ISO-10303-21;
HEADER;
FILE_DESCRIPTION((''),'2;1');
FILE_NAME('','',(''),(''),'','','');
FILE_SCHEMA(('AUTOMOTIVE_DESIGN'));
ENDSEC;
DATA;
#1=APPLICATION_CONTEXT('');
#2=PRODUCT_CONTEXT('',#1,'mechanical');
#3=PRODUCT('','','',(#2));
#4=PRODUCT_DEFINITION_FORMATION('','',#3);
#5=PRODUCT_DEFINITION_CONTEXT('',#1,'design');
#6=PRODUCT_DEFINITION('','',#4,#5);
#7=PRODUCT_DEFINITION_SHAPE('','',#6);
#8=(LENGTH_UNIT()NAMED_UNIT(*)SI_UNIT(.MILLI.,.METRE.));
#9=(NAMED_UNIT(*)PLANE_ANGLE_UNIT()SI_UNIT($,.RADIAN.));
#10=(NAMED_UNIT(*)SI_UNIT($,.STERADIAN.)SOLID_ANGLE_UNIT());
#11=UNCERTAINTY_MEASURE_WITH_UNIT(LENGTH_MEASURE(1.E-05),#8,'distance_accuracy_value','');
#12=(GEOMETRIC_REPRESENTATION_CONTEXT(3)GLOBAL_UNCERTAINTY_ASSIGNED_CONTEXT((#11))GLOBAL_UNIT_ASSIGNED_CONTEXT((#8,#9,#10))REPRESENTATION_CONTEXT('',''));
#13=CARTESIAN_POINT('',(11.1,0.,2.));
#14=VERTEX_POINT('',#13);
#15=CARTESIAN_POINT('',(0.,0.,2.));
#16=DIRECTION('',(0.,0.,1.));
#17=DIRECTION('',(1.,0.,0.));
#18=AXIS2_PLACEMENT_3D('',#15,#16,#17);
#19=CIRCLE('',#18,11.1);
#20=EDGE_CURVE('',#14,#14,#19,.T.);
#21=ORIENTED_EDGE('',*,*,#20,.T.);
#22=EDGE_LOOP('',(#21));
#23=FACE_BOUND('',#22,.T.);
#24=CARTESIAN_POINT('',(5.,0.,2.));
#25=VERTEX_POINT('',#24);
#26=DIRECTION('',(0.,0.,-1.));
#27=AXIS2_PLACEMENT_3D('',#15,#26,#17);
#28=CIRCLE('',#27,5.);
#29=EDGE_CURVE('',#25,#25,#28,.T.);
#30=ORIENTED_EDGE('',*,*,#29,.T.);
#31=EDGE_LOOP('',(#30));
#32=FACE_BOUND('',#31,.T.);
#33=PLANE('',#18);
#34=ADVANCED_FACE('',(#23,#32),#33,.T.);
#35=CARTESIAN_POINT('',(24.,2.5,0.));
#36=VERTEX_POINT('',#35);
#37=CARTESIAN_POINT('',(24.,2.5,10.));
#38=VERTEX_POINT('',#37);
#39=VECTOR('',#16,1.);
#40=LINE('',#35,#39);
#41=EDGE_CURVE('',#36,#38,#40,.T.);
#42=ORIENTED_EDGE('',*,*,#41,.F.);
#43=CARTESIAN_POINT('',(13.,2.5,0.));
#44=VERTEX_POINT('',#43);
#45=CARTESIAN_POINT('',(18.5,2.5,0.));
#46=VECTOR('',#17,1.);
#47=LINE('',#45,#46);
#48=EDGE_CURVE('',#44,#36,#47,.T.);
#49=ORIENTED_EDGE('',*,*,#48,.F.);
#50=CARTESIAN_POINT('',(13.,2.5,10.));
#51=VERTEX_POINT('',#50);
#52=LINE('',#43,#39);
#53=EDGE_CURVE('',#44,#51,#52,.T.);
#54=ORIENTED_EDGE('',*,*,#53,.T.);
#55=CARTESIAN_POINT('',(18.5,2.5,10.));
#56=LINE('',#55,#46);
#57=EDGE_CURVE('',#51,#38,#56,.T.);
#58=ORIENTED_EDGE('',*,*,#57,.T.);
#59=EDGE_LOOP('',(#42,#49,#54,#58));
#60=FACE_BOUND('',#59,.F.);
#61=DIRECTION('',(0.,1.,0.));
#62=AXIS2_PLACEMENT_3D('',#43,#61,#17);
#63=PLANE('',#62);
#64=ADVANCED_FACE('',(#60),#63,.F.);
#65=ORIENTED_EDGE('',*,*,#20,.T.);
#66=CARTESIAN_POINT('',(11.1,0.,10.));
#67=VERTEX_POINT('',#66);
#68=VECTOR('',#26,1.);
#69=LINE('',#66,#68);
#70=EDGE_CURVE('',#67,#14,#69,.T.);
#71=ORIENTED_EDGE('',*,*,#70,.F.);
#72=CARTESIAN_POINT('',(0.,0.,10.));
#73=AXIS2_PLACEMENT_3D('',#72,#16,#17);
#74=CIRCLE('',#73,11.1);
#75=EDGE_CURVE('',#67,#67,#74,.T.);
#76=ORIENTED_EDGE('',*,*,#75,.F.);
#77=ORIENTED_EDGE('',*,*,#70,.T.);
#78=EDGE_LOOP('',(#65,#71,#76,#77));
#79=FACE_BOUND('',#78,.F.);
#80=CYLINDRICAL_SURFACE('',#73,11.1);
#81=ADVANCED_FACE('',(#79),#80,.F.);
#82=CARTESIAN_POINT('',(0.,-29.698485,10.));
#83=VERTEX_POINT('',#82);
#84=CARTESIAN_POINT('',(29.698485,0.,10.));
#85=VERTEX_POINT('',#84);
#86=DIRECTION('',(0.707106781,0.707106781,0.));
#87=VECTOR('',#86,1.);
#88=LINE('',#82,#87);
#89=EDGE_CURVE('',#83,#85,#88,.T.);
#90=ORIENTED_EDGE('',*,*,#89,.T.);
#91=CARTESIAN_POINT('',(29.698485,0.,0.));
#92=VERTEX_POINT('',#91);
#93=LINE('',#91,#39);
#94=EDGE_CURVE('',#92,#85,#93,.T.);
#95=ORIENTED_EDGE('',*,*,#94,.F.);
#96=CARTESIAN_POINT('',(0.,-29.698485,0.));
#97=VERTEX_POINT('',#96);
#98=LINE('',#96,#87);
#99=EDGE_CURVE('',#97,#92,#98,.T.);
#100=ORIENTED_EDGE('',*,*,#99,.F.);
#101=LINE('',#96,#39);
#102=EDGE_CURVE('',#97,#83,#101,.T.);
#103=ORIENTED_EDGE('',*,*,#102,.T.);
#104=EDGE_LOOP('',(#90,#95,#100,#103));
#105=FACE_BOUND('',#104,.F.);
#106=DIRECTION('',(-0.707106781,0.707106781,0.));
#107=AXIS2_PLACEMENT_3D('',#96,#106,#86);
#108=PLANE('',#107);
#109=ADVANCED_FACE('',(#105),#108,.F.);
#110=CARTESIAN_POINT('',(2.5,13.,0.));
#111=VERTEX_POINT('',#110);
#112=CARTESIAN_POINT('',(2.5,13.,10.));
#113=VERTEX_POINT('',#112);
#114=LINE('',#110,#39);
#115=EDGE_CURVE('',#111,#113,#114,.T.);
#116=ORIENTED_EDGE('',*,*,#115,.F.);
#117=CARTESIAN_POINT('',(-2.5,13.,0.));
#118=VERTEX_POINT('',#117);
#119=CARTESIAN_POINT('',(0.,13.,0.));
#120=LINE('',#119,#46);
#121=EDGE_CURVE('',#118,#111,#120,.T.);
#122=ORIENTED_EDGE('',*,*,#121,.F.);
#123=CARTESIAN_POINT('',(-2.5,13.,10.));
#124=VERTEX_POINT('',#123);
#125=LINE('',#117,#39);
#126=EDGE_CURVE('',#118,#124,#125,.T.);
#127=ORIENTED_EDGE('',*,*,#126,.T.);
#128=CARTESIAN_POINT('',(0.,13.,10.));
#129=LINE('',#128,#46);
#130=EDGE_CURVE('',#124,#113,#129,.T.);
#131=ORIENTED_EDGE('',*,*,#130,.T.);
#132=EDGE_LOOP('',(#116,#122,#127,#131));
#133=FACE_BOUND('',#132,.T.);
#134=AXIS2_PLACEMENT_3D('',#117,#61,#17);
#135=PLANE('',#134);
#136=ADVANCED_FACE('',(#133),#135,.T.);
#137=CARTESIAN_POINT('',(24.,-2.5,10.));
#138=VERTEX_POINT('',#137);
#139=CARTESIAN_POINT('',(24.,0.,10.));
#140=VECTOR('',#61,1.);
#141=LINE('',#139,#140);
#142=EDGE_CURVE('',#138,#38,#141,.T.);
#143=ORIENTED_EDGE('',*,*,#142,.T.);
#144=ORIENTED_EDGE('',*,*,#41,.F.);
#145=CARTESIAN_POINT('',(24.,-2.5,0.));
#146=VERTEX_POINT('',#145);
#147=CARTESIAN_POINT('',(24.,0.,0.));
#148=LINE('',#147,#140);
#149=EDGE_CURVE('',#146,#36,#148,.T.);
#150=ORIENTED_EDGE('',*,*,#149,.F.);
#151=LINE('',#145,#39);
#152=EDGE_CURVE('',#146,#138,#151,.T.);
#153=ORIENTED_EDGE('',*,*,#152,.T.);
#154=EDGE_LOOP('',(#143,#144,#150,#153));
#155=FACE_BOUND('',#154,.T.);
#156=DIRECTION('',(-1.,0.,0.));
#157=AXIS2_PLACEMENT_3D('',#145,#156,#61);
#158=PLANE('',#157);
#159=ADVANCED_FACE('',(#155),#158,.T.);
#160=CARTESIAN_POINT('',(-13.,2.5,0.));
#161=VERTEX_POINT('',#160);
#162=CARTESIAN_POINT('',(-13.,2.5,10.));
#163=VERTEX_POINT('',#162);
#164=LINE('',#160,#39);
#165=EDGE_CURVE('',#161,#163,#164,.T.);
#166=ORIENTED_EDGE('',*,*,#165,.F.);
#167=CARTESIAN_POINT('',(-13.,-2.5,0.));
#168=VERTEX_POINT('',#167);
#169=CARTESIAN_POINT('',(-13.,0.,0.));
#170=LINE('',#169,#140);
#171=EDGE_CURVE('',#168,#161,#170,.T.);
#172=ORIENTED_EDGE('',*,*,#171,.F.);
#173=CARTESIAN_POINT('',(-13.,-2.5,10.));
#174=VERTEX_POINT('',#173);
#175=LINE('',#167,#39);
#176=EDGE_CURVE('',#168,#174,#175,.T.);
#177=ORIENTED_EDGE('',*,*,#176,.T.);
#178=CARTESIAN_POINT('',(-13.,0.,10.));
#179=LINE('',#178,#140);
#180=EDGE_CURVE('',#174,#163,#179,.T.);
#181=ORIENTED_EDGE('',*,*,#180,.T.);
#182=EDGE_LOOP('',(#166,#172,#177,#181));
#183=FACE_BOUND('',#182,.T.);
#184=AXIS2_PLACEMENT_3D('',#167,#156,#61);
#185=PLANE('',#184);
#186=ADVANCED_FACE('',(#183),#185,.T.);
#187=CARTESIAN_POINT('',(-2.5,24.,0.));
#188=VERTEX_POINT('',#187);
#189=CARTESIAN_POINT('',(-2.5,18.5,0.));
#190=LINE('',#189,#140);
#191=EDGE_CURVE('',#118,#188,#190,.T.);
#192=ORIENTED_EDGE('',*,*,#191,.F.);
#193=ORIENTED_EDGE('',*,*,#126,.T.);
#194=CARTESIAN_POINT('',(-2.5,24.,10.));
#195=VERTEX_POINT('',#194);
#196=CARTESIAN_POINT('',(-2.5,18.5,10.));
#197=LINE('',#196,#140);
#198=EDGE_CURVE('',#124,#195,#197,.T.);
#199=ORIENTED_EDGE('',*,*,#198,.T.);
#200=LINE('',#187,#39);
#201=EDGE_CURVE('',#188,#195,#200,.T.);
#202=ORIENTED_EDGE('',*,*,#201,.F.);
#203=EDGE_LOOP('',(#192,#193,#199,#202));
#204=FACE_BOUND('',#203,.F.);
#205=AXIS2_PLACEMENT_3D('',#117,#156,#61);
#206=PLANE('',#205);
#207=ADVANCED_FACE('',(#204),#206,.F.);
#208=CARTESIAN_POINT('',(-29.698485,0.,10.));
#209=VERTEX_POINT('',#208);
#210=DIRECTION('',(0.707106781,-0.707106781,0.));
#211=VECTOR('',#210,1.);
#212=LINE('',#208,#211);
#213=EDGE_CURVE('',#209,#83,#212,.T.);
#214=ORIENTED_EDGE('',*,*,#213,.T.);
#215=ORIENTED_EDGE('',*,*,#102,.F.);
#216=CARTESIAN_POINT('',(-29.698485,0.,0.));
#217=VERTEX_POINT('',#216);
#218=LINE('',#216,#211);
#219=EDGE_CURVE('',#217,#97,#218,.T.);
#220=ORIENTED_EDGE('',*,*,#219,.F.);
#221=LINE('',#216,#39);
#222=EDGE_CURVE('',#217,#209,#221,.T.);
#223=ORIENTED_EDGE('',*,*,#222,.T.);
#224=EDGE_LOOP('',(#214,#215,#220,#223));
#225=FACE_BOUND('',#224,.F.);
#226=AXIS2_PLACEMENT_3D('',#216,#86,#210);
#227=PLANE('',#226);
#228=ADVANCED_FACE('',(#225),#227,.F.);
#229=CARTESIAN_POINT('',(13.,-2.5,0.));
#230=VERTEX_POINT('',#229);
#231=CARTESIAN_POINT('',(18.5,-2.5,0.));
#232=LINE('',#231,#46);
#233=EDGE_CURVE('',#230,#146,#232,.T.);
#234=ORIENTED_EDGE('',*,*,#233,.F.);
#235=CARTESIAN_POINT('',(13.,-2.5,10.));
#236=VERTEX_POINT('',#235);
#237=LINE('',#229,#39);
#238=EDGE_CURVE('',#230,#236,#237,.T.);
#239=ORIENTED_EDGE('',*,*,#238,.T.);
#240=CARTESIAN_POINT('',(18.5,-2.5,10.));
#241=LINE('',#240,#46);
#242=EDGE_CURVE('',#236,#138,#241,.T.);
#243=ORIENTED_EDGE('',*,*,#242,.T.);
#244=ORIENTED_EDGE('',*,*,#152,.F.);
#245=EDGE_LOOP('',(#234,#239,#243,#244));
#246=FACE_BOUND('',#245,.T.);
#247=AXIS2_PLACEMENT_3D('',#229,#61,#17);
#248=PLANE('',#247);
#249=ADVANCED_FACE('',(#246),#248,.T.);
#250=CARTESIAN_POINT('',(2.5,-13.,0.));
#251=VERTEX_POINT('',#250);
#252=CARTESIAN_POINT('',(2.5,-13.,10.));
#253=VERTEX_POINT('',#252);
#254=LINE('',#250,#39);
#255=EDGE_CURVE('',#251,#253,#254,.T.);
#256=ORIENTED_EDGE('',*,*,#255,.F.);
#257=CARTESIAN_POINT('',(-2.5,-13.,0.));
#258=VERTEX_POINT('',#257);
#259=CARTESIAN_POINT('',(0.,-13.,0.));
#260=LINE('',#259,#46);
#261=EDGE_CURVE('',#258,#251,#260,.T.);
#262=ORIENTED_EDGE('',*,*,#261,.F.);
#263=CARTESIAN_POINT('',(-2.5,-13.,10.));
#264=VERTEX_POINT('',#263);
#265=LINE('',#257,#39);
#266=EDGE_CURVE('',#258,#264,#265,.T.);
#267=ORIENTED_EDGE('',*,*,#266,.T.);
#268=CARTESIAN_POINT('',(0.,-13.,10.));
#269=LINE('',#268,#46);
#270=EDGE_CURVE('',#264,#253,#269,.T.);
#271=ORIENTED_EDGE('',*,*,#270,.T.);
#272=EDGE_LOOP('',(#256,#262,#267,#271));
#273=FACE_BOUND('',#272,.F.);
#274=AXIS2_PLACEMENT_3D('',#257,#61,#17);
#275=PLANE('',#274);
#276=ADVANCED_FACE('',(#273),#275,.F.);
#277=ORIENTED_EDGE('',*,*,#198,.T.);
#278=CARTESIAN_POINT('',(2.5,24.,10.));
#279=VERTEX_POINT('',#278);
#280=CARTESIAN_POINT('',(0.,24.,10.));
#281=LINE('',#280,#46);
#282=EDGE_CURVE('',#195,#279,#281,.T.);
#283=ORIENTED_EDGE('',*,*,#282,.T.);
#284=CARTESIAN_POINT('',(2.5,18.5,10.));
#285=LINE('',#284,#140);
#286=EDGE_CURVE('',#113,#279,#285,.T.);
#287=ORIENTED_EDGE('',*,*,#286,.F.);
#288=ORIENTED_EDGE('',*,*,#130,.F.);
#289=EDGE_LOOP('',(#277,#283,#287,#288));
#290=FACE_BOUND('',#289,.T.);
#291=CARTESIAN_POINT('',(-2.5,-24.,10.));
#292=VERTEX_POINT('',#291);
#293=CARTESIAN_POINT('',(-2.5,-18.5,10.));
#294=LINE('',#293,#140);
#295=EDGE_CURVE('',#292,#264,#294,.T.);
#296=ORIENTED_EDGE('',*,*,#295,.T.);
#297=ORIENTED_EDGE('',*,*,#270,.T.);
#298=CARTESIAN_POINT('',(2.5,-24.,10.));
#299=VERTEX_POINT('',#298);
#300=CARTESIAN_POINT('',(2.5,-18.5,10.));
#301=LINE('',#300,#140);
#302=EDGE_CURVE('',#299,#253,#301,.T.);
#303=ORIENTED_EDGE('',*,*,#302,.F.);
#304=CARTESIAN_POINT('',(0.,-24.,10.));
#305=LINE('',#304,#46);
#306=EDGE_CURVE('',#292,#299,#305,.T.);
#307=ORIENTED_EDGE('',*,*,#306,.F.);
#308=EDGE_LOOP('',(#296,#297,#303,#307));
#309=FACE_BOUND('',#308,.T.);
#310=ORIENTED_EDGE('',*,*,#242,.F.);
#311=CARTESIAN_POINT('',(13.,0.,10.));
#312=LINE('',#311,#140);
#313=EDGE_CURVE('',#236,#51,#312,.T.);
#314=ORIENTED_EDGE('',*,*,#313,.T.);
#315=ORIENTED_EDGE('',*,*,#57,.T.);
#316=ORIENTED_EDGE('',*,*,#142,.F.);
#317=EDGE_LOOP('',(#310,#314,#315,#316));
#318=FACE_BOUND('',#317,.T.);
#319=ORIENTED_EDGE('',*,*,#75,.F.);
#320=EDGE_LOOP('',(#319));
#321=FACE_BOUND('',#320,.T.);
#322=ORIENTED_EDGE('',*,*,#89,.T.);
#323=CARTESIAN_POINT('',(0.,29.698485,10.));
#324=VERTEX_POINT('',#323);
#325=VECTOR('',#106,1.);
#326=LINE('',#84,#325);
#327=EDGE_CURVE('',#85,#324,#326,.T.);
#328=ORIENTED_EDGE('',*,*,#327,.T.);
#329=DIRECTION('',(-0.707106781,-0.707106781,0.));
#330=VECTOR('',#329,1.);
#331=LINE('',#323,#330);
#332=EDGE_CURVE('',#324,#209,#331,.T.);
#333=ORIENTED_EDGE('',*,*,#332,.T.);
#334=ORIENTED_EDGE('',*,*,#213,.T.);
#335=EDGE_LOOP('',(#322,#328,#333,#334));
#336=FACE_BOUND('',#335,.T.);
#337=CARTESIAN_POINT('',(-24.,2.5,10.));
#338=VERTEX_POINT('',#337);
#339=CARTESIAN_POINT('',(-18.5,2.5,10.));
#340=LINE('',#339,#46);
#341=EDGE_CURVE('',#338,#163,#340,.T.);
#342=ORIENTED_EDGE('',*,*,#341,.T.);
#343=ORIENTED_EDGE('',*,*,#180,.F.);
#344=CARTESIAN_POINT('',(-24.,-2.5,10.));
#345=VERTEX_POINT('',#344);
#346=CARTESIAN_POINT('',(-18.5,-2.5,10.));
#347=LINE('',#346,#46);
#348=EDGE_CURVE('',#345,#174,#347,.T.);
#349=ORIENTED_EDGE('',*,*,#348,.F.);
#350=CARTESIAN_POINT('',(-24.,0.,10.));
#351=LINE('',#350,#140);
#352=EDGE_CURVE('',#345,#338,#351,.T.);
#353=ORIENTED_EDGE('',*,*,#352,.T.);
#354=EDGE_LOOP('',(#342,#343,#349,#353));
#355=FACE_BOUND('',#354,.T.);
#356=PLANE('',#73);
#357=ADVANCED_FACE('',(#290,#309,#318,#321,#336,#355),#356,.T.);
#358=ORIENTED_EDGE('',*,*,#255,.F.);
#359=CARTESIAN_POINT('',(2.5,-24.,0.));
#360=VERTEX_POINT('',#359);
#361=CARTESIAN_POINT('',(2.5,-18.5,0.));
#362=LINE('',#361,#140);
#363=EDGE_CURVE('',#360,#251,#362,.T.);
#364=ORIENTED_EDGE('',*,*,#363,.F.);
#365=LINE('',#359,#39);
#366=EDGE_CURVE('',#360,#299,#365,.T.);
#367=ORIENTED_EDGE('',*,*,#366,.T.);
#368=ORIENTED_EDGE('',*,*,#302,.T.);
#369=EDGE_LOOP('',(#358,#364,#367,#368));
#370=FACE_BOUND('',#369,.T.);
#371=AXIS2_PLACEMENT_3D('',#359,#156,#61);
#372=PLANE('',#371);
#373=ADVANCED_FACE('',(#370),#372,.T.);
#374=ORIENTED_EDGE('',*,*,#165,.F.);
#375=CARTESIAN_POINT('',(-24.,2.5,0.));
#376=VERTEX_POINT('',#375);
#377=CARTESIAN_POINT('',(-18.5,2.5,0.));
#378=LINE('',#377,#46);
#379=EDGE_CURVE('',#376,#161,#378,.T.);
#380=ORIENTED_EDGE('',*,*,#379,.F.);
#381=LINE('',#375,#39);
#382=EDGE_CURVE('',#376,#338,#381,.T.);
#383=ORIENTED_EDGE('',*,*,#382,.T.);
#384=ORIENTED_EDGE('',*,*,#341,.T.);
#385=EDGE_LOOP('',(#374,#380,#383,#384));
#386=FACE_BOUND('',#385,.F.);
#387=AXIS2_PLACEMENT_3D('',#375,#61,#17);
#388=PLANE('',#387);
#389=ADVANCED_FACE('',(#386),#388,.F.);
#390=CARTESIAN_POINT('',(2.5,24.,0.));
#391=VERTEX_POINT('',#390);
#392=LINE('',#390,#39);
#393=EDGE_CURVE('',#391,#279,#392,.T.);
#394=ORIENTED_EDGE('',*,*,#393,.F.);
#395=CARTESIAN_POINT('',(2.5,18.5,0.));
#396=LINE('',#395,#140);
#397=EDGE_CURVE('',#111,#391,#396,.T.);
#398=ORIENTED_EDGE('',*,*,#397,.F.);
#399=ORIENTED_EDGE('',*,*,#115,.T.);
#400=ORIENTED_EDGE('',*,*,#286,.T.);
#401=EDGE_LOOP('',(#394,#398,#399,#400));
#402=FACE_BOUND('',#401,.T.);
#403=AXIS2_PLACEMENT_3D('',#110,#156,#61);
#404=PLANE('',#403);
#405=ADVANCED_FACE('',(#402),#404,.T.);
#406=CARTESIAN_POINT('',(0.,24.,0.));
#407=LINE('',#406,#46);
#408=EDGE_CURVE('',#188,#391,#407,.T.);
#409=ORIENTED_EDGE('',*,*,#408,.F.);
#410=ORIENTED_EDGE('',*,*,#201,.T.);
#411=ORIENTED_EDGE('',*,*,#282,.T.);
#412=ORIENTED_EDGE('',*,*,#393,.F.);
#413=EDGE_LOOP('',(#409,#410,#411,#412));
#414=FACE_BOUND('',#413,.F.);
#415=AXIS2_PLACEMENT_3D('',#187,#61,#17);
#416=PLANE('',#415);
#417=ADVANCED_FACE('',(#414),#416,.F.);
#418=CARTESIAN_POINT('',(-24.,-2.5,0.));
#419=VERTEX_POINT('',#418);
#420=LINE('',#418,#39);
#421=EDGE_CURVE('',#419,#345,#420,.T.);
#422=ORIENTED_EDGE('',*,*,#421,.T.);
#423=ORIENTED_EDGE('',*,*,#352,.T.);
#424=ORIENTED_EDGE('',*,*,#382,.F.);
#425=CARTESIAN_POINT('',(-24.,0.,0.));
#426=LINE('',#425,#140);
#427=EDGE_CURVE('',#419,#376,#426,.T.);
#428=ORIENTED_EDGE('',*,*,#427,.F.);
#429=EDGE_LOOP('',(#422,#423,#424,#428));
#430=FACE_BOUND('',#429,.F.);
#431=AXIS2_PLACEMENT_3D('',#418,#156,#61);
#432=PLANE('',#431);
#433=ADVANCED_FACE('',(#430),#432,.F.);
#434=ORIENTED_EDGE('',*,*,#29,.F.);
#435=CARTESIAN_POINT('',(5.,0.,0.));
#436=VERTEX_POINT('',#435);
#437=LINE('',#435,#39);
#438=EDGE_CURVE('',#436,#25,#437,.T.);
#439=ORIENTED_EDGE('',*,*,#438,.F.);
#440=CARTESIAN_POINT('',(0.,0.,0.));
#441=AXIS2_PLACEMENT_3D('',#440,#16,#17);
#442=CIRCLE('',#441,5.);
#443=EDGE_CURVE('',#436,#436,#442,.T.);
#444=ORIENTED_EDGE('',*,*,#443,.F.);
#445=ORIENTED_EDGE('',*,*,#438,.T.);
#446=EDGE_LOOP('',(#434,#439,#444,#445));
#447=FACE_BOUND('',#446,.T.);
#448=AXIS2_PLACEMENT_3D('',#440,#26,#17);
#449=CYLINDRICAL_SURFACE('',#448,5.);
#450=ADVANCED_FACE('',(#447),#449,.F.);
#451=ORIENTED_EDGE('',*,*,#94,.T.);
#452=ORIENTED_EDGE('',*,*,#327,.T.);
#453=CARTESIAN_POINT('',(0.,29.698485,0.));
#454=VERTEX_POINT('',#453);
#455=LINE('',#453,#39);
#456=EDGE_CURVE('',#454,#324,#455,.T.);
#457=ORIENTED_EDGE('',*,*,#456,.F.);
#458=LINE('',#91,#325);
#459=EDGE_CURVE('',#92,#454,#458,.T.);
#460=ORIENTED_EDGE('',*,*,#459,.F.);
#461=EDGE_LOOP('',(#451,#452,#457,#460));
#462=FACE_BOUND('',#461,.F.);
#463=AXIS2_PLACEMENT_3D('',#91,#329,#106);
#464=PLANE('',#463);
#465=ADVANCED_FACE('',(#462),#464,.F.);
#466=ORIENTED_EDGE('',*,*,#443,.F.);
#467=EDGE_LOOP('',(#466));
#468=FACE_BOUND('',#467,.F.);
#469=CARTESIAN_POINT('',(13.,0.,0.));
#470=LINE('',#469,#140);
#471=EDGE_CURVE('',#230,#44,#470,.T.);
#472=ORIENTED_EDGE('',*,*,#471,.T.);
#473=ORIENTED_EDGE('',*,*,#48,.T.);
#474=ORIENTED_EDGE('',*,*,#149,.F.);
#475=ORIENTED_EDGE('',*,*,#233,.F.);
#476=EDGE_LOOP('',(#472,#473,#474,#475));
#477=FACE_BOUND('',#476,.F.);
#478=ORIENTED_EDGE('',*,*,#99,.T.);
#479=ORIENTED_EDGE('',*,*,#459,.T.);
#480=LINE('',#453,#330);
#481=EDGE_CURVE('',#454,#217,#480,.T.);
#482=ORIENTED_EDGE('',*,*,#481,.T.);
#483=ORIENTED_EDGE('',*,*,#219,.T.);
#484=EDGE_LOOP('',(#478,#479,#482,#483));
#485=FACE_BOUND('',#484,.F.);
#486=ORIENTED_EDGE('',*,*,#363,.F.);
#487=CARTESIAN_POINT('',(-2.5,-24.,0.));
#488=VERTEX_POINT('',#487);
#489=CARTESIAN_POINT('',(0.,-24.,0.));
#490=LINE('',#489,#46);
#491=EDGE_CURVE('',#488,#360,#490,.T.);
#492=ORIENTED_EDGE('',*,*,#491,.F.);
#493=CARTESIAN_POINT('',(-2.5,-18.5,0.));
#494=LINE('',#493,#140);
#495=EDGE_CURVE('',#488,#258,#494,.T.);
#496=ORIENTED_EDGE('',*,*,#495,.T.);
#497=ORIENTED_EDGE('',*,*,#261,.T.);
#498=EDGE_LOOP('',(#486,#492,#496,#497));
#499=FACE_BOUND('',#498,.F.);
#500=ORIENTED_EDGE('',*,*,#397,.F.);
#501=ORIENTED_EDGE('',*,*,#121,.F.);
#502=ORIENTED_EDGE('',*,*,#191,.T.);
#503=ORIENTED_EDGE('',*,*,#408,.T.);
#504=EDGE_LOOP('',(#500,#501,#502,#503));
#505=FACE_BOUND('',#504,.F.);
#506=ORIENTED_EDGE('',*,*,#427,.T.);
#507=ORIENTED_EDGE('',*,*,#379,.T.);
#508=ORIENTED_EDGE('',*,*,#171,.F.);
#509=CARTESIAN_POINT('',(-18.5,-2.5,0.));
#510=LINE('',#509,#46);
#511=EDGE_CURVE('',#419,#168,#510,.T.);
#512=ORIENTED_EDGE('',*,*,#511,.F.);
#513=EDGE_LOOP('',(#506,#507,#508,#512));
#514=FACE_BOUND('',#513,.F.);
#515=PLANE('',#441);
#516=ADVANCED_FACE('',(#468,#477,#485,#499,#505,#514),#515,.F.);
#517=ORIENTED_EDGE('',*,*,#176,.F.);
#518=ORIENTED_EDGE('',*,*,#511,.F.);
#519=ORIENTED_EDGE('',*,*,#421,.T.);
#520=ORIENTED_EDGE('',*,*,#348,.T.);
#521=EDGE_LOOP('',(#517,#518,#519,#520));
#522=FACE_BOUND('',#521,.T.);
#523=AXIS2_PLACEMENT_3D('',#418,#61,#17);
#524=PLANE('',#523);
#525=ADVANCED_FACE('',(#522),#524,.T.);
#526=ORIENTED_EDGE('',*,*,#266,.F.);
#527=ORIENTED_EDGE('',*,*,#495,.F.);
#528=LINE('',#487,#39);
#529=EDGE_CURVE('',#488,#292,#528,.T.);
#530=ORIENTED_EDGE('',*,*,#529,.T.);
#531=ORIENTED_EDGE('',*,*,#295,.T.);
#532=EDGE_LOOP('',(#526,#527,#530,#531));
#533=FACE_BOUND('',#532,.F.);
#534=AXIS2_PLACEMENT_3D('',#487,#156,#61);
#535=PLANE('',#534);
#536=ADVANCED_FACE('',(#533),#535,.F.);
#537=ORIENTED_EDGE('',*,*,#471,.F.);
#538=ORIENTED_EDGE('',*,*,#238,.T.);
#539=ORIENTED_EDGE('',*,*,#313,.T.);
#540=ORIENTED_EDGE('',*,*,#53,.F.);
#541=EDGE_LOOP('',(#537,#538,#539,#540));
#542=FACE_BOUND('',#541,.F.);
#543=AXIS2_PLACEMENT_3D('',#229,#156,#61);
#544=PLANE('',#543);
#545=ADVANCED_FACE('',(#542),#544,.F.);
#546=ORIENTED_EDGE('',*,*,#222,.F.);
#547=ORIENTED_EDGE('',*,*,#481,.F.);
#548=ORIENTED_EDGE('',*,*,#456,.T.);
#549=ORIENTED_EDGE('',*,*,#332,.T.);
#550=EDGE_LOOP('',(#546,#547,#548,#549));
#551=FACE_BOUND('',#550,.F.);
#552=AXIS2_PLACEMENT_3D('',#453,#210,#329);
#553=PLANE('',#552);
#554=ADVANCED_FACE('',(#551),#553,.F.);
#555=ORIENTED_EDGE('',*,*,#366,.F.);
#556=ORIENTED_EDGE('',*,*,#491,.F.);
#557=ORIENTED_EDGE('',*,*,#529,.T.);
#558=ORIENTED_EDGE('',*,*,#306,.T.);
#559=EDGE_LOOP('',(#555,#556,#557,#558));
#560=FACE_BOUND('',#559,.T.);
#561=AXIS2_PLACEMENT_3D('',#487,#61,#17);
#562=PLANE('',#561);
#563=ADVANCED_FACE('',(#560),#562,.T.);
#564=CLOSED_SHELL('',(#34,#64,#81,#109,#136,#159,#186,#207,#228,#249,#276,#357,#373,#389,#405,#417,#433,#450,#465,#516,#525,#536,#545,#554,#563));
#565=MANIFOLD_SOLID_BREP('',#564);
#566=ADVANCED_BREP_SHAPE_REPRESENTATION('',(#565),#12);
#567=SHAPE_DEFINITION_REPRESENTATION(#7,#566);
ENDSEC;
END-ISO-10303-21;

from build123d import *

# Parameters (mm, degrees)
SKETCH_R     = 5
SKETCH_W     = 11
SKETCH_H     = 5
SKETCH_W_2   = 5
SKETCH_H_2   = 11
PAD_DEPTH    = 10
SKETCH001_R  = 11.1
POCKET_DEPTH = 8


with BuildPart() as part:
    # Sketch → Pad (new body)
    with BuildSketch(Plane.XY):
        Polygon((29.698485, 0), (0, 29.698485), (-29.698485, 0), (0, -29.698485), align=None)
        Circle(SKETCH_R, mode=Mode.SUBTRACT)
        with Locations((-18.5, 0)):
            Rectangle(SKETCH_W, SKETCH_H, mode=Mode.SUBTRACT)
        with Locations((0, 18.5)):
            Rectangle(SKETCH_W_2, SKETCH_H_2, mode=Mode.SUBTRACT)
        with Locations((0, -18.5)):
            Rectangle(SKETCH_W_2, SKETCH_H_2, mode=Mode.SUBTRACT)
        with Locations((18.5, 0)):
            Rectangle(SKETCH_W, SKETCH_H, mode=Mode.SUBTRACT)
    extrude(amount=PAD_DEPTH)

    # Sketch001 → Pocket (cut)
    with BuildSketch(Plane.XY.offset(10)):
        Circle(SKETCH001_R)
    extrude(amount=-POCKET_DEPTH, mode=Mode.SUBTRACT)


solid = part.part
